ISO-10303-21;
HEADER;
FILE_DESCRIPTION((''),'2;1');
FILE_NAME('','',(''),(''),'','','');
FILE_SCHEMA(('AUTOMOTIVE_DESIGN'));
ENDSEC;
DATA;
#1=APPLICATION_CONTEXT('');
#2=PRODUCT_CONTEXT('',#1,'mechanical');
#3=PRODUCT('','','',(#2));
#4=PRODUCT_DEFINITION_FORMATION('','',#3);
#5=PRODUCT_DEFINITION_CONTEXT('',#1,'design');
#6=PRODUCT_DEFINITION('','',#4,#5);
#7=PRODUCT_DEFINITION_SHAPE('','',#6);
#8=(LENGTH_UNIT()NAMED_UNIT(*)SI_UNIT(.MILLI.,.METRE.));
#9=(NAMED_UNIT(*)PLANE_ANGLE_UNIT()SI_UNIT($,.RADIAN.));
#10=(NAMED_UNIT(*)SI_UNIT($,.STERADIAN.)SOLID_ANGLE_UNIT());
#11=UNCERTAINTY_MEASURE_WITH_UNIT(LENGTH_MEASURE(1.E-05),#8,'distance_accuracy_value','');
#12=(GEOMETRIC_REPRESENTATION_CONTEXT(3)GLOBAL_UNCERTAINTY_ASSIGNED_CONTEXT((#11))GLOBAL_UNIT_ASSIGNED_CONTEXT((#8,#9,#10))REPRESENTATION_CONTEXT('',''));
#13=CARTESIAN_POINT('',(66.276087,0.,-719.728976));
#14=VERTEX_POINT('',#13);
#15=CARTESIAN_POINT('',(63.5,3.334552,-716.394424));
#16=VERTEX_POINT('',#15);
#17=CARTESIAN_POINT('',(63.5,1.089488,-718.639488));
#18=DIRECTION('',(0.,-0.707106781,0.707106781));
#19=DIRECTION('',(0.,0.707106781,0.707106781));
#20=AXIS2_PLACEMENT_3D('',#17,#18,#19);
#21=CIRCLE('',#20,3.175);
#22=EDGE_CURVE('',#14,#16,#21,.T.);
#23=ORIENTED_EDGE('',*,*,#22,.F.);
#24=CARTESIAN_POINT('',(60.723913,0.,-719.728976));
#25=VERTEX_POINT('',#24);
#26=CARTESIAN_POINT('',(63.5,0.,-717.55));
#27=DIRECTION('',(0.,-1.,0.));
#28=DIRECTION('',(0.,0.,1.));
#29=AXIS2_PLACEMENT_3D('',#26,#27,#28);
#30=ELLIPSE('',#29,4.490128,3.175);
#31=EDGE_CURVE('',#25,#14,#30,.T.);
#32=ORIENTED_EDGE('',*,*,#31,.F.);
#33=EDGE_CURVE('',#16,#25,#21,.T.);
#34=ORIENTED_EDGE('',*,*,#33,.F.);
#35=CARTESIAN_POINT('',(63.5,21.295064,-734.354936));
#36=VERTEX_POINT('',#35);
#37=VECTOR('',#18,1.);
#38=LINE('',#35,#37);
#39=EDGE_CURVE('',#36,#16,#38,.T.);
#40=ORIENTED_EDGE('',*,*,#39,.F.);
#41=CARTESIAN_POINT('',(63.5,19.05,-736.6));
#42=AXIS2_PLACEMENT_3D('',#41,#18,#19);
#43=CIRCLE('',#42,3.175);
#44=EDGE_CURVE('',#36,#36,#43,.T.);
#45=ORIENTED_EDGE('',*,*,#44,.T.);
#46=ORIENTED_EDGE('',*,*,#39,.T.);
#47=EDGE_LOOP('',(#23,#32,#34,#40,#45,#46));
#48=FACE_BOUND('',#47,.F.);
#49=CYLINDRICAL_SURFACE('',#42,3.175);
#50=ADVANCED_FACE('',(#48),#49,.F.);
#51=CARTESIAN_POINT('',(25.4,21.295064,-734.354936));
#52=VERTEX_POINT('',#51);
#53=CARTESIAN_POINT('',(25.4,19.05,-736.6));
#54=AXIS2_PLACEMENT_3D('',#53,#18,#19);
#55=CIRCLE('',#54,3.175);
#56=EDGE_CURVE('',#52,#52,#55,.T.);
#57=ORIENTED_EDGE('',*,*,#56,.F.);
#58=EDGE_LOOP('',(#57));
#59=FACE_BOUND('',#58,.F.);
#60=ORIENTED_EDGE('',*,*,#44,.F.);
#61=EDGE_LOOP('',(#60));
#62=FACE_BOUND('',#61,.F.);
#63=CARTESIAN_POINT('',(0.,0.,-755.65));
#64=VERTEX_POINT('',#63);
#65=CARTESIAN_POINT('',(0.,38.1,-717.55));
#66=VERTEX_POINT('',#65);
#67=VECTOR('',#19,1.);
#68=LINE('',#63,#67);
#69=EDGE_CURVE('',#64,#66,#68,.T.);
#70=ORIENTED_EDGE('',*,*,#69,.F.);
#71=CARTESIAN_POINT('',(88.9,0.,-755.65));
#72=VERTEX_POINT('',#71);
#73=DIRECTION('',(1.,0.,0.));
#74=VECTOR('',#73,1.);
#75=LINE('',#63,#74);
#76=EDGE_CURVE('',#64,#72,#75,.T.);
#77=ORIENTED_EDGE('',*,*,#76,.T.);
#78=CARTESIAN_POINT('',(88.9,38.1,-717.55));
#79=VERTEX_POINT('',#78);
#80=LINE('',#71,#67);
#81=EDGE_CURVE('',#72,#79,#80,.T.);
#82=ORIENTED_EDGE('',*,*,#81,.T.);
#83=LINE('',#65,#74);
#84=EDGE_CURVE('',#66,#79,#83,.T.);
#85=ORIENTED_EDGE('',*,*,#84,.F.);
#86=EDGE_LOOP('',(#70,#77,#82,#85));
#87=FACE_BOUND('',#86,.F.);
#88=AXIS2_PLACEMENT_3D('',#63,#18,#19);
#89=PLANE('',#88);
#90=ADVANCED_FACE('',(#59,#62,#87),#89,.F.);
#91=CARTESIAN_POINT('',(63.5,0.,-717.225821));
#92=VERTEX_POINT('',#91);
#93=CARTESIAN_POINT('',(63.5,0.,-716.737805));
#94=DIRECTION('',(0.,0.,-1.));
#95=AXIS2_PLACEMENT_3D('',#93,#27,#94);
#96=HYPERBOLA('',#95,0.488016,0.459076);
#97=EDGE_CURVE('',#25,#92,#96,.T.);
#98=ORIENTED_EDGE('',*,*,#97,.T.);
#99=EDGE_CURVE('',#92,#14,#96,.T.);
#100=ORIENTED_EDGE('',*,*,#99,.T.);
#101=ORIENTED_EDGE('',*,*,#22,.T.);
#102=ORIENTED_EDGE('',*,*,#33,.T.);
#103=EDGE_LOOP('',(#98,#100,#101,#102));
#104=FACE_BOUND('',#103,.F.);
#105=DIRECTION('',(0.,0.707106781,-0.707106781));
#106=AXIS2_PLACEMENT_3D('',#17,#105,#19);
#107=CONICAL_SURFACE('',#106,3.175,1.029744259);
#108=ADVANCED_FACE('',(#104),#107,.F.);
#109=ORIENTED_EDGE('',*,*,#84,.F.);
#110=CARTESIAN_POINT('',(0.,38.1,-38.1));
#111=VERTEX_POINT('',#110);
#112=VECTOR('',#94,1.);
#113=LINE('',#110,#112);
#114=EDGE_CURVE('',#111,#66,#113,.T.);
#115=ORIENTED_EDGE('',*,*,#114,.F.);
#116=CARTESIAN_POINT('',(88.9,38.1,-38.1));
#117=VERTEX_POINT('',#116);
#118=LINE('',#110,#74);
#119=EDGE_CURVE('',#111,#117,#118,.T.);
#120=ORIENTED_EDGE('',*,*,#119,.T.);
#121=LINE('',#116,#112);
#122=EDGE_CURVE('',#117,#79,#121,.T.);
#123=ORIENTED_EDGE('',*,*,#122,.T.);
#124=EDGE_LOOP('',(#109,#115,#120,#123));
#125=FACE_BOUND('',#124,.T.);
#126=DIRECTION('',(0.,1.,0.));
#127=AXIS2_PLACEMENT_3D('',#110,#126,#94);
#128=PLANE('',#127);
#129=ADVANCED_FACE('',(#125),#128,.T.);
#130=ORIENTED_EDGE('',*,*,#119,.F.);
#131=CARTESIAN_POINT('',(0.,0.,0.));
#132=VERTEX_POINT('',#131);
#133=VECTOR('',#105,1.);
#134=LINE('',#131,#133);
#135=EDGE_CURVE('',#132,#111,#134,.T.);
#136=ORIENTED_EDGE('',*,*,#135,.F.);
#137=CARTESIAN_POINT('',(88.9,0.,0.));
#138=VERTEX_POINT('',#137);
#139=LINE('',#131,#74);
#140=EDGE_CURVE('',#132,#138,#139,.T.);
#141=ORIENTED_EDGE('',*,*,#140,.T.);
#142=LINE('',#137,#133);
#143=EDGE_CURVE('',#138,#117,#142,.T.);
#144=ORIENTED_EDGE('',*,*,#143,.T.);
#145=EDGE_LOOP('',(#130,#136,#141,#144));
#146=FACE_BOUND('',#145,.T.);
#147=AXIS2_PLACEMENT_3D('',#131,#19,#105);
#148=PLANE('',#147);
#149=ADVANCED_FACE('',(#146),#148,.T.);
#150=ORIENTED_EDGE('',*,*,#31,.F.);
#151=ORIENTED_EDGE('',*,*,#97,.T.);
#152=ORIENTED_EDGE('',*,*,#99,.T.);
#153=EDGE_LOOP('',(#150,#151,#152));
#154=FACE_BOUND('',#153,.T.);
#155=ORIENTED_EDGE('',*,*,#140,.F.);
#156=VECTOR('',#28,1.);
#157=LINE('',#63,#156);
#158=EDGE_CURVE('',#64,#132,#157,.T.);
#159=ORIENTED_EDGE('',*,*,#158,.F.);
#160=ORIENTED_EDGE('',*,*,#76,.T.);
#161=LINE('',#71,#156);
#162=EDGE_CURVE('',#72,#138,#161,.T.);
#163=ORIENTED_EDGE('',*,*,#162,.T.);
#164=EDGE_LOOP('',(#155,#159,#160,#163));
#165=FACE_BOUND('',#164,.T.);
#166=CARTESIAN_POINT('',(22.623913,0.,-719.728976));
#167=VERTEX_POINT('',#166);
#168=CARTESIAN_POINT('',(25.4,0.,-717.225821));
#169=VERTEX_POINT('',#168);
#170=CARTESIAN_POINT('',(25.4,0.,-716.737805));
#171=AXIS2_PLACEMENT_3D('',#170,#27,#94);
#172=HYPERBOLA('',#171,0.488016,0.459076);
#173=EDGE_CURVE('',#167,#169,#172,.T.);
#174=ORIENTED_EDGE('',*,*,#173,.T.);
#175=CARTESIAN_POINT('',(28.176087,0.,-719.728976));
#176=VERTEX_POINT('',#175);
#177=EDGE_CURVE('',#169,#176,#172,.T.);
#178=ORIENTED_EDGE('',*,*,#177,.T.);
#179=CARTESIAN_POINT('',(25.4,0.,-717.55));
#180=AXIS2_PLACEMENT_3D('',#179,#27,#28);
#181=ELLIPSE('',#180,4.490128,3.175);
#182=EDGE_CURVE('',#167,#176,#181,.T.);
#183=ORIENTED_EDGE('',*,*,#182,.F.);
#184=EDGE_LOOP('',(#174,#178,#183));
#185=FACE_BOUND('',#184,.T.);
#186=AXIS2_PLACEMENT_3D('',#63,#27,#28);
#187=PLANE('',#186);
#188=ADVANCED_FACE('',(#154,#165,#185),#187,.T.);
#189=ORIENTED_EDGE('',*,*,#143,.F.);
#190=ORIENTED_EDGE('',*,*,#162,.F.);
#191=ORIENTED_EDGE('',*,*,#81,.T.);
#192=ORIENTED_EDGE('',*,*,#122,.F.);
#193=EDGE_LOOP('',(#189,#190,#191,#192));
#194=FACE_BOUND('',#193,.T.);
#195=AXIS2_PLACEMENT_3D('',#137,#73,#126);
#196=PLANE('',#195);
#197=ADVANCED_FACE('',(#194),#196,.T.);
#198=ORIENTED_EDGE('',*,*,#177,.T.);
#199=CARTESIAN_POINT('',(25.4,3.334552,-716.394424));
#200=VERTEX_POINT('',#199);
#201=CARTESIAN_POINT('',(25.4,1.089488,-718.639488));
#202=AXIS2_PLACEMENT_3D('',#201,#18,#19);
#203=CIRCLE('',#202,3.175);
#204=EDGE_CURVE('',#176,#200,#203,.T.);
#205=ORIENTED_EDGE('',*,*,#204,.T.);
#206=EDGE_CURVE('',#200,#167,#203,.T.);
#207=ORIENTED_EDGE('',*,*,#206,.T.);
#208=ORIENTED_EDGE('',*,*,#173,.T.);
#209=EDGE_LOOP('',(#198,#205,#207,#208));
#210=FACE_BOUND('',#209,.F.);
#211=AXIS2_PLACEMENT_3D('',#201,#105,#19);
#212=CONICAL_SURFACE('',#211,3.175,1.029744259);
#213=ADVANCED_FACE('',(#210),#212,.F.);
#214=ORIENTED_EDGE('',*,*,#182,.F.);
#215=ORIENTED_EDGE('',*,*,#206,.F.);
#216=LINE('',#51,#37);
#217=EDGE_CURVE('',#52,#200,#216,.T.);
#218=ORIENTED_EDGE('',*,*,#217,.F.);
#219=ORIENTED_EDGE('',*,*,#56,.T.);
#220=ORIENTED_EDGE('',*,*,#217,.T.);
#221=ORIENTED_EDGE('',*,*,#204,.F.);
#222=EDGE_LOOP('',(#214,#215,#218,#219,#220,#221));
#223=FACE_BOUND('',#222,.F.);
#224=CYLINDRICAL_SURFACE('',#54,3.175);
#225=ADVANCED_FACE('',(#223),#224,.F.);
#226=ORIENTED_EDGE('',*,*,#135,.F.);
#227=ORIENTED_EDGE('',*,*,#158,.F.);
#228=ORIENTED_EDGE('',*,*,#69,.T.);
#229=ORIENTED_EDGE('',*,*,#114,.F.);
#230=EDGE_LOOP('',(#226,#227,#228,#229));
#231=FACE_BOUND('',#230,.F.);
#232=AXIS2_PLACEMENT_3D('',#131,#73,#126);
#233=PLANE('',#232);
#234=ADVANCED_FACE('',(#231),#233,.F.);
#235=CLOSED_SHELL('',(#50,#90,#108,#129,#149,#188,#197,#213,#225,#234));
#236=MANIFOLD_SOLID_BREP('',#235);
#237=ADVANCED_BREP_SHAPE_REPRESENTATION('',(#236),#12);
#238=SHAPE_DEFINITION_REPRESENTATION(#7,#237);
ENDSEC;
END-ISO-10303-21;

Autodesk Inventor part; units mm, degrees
ref_plane "YZ Plane" through (0, 0, 0) normal (1, 0, 0) x (0, 1, 0)
ref_plane "XZ Plane" through (0, 0, 0) normal (0, 1, 0) x (-1, 0, 0)
ref_plane "XY Plane" through (0, 0, 0) normal (0, 0, 1) x (1, 0, 0)
sketch "Sketch1" plane through (0, 0, 0) normal (1, 0, 0) x (0, 1, 0)
  line L0 (38.1, -38.1) -> (38.1, -717.55)
  line L1 (0, -755.65) -> (0, 0)
  line L2 (0, 0) -> (38.1, -38.1)
  line L3 (0, 0) -> (78.5772, 0) construction
  line L4 (0, -755.65) -> (38.1, -717.55)
  dimension "d2" = 45
  dimension "d20" = 755.65
extrude "Extrusion1" add sketch "Sketch1" along normal blind 88.9
sketch "Sketch2" plane through (88.9, 38.1, -717.55) normal (0, 0.7071, -0.7071) x (-1, 0, 0)
  line L0 (0, -53.8815) -> (0, 0) projected
  line L1 (88.9, -53.8815) -> (0, -53.8815) projected
  circle A0 centre (25.4, -26.9408) radius 4.5233
  circle A1 centre (63.5, -26.9408) radius 4.5233
  point P0 (88.9, 480.4437)
  dimension "d5" = 25.4
  dimension "d8" = 38.1
hole "Hole1" at (63.5, 19.05, -736.6) at (25.4, 19.05, -736.6) direction (0, -0.7071, 0.7071) diameter 6.35 depth 25.4 tip angle 118
properties part number "2p2ps45" material "Wood (Cherry)"
